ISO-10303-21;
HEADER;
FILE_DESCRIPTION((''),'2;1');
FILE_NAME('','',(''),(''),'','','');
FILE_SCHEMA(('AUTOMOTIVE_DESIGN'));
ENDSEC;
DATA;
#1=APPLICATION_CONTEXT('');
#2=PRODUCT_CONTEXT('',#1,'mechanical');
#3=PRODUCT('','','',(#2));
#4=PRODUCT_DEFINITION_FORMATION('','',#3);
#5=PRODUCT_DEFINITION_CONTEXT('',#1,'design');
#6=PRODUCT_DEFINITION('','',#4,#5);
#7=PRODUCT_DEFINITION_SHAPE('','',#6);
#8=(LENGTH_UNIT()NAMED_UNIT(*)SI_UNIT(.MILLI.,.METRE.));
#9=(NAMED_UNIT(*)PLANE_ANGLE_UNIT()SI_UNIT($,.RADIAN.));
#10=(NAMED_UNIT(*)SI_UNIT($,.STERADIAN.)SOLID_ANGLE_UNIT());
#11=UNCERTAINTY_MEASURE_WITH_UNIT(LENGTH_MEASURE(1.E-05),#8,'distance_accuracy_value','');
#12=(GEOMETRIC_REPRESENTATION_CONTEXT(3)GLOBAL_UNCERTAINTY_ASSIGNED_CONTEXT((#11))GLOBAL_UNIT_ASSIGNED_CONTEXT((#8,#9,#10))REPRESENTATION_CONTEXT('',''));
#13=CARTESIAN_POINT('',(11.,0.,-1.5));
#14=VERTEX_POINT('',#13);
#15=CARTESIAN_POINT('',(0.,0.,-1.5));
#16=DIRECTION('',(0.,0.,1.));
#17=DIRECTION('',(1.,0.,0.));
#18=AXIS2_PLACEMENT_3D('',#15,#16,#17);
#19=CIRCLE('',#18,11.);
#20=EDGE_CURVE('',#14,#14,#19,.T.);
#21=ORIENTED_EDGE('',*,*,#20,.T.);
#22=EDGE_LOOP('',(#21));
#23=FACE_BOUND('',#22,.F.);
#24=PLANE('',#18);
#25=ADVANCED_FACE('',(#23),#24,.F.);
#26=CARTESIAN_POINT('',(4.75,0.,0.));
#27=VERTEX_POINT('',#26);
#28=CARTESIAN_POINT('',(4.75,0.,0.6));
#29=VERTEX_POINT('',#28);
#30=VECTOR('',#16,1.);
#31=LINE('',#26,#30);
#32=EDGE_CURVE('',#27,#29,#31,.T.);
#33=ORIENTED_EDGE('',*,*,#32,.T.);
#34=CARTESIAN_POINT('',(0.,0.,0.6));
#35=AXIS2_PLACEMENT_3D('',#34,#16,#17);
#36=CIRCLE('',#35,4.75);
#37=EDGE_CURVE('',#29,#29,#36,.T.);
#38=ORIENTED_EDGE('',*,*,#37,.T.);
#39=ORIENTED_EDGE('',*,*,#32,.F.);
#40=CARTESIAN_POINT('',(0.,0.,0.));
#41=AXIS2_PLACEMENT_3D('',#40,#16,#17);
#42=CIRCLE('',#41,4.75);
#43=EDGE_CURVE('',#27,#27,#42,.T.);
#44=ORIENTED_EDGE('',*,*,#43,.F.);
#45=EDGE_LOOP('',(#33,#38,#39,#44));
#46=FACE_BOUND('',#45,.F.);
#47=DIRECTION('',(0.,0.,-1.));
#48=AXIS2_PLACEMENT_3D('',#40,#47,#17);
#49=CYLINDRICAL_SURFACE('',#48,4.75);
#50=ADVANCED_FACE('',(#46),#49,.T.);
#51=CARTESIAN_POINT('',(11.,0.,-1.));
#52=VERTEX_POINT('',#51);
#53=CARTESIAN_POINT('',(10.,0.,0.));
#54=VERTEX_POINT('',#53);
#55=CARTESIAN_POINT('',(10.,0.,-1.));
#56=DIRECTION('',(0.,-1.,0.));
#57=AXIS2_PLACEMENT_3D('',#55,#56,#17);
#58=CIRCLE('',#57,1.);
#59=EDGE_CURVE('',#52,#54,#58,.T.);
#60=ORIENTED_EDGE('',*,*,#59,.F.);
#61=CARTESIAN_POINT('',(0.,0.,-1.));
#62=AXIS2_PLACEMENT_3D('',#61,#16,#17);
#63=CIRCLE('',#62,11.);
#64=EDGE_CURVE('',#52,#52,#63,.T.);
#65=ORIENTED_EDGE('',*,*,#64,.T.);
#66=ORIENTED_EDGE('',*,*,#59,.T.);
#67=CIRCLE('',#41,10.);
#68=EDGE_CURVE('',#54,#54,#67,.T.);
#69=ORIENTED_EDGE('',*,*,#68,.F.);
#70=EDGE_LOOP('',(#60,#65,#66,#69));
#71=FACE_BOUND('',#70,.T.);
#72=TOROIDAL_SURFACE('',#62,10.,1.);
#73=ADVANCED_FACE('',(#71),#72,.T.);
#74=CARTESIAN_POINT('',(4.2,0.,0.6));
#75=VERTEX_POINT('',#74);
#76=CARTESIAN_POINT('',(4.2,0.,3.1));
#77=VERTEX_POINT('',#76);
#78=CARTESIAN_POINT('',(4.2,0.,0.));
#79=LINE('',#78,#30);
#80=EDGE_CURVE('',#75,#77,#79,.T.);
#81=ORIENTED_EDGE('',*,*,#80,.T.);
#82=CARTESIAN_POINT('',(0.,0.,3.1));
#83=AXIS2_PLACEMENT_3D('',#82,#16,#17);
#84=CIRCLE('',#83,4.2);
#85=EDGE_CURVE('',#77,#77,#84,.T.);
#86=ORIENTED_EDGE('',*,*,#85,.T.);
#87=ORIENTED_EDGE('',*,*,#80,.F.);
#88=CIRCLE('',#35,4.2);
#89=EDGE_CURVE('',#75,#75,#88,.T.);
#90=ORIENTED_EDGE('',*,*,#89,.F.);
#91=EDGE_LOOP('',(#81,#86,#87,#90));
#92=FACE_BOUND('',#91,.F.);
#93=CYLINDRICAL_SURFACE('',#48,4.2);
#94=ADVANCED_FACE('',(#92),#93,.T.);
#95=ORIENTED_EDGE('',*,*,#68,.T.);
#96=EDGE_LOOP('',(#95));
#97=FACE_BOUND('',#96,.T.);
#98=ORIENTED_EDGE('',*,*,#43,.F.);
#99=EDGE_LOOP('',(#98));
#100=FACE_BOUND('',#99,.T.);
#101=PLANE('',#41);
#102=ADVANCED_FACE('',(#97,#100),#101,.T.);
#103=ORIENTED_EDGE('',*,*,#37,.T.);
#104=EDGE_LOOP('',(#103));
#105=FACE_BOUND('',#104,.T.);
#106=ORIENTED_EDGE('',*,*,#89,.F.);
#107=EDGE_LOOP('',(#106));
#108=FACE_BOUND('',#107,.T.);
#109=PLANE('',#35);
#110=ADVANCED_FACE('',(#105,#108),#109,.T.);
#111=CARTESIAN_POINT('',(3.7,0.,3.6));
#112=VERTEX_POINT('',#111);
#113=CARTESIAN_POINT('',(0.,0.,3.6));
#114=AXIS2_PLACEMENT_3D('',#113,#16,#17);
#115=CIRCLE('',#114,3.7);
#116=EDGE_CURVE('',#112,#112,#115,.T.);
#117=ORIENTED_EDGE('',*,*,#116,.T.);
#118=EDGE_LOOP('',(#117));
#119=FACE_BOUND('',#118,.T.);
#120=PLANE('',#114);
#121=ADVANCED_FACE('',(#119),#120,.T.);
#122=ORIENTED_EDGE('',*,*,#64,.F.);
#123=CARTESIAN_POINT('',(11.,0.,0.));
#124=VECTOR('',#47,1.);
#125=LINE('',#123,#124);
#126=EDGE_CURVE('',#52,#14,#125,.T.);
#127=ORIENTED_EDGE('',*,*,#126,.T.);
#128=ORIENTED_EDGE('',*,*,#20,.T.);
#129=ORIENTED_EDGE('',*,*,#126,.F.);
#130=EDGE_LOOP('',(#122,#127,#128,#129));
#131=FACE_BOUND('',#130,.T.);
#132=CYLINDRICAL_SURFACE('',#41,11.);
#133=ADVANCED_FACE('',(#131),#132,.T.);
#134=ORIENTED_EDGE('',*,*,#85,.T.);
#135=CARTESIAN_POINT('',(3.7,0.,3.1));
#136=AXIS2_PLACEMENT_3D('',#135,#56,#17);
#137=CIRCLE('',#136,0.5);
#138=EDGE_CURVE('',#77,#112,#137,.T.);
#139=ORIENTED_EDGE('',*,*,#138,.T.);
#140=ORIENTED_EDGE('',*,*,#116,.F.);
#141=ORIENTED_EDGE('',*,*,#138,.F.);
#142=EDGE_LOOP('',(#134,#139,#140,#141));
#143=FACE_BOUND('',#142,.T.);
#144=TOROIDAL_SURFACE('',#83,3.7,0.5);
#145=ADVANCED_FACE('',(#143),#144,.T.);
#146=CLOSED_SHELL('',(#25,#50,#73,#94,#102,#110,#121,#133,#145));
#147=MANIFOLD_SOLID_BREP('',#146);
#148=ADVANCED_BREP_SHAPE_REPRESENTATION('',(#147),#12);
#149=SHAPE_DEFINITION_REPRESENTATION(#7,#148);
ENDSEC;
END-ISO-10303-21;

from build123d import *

# Parameters (mm, degrees)
F0_R     = 11
F0_R_2   = 4.75
F0_R_3   = 4.2
F1_DEPTH = 1.5
F2_DEPTH = 3.6
F3_R     = 1
F4_R     = 0.5
F5_DEPTH = 0.6


with BuildPart() as f1:
    # F0 (on Top) → F1 (new body)
    with BuildSketch(Plane.XY):
        Circle(F0_R)
        Circle(F0_R_2, mode=Mode.SUBTRACT)
        Circle(F0_R_2)
        Circle(F0_R_3, mode=Mode.SUBTRACT)
        Circle(F0_R_3)
    extrude(amount=-F1_DEPTH)

    # F0 (on Top) → F2 (join)
    with BuildSketch(Plane.XY):
        Circle(F0_R_3)
    extrude(amount=F2_DEPTH)

    # F3
    f3_edges = [f1.edges().sort_by_distance(p)[0] for p in [
        (-11, 0, 0),
    ]]
    fillet(f3_edges, radius=F3_R)

    # F4
    f4_edges = [f1.edges().sort_by_distance(p)[0] for p in [
        (-4.2, 0, 3.6),
    ]]
    fillet(f4_edges, radius=F4_R)

    # F0 (on Top) → F5 (join)
    with BuildSketch(Plane.XY):
        Circle(F0_R_2)
        Circle(F0_R_3, mode=Mode.SUBTRACT)
    extrude(amount=F5_DEPTH)


solid = f1.part
